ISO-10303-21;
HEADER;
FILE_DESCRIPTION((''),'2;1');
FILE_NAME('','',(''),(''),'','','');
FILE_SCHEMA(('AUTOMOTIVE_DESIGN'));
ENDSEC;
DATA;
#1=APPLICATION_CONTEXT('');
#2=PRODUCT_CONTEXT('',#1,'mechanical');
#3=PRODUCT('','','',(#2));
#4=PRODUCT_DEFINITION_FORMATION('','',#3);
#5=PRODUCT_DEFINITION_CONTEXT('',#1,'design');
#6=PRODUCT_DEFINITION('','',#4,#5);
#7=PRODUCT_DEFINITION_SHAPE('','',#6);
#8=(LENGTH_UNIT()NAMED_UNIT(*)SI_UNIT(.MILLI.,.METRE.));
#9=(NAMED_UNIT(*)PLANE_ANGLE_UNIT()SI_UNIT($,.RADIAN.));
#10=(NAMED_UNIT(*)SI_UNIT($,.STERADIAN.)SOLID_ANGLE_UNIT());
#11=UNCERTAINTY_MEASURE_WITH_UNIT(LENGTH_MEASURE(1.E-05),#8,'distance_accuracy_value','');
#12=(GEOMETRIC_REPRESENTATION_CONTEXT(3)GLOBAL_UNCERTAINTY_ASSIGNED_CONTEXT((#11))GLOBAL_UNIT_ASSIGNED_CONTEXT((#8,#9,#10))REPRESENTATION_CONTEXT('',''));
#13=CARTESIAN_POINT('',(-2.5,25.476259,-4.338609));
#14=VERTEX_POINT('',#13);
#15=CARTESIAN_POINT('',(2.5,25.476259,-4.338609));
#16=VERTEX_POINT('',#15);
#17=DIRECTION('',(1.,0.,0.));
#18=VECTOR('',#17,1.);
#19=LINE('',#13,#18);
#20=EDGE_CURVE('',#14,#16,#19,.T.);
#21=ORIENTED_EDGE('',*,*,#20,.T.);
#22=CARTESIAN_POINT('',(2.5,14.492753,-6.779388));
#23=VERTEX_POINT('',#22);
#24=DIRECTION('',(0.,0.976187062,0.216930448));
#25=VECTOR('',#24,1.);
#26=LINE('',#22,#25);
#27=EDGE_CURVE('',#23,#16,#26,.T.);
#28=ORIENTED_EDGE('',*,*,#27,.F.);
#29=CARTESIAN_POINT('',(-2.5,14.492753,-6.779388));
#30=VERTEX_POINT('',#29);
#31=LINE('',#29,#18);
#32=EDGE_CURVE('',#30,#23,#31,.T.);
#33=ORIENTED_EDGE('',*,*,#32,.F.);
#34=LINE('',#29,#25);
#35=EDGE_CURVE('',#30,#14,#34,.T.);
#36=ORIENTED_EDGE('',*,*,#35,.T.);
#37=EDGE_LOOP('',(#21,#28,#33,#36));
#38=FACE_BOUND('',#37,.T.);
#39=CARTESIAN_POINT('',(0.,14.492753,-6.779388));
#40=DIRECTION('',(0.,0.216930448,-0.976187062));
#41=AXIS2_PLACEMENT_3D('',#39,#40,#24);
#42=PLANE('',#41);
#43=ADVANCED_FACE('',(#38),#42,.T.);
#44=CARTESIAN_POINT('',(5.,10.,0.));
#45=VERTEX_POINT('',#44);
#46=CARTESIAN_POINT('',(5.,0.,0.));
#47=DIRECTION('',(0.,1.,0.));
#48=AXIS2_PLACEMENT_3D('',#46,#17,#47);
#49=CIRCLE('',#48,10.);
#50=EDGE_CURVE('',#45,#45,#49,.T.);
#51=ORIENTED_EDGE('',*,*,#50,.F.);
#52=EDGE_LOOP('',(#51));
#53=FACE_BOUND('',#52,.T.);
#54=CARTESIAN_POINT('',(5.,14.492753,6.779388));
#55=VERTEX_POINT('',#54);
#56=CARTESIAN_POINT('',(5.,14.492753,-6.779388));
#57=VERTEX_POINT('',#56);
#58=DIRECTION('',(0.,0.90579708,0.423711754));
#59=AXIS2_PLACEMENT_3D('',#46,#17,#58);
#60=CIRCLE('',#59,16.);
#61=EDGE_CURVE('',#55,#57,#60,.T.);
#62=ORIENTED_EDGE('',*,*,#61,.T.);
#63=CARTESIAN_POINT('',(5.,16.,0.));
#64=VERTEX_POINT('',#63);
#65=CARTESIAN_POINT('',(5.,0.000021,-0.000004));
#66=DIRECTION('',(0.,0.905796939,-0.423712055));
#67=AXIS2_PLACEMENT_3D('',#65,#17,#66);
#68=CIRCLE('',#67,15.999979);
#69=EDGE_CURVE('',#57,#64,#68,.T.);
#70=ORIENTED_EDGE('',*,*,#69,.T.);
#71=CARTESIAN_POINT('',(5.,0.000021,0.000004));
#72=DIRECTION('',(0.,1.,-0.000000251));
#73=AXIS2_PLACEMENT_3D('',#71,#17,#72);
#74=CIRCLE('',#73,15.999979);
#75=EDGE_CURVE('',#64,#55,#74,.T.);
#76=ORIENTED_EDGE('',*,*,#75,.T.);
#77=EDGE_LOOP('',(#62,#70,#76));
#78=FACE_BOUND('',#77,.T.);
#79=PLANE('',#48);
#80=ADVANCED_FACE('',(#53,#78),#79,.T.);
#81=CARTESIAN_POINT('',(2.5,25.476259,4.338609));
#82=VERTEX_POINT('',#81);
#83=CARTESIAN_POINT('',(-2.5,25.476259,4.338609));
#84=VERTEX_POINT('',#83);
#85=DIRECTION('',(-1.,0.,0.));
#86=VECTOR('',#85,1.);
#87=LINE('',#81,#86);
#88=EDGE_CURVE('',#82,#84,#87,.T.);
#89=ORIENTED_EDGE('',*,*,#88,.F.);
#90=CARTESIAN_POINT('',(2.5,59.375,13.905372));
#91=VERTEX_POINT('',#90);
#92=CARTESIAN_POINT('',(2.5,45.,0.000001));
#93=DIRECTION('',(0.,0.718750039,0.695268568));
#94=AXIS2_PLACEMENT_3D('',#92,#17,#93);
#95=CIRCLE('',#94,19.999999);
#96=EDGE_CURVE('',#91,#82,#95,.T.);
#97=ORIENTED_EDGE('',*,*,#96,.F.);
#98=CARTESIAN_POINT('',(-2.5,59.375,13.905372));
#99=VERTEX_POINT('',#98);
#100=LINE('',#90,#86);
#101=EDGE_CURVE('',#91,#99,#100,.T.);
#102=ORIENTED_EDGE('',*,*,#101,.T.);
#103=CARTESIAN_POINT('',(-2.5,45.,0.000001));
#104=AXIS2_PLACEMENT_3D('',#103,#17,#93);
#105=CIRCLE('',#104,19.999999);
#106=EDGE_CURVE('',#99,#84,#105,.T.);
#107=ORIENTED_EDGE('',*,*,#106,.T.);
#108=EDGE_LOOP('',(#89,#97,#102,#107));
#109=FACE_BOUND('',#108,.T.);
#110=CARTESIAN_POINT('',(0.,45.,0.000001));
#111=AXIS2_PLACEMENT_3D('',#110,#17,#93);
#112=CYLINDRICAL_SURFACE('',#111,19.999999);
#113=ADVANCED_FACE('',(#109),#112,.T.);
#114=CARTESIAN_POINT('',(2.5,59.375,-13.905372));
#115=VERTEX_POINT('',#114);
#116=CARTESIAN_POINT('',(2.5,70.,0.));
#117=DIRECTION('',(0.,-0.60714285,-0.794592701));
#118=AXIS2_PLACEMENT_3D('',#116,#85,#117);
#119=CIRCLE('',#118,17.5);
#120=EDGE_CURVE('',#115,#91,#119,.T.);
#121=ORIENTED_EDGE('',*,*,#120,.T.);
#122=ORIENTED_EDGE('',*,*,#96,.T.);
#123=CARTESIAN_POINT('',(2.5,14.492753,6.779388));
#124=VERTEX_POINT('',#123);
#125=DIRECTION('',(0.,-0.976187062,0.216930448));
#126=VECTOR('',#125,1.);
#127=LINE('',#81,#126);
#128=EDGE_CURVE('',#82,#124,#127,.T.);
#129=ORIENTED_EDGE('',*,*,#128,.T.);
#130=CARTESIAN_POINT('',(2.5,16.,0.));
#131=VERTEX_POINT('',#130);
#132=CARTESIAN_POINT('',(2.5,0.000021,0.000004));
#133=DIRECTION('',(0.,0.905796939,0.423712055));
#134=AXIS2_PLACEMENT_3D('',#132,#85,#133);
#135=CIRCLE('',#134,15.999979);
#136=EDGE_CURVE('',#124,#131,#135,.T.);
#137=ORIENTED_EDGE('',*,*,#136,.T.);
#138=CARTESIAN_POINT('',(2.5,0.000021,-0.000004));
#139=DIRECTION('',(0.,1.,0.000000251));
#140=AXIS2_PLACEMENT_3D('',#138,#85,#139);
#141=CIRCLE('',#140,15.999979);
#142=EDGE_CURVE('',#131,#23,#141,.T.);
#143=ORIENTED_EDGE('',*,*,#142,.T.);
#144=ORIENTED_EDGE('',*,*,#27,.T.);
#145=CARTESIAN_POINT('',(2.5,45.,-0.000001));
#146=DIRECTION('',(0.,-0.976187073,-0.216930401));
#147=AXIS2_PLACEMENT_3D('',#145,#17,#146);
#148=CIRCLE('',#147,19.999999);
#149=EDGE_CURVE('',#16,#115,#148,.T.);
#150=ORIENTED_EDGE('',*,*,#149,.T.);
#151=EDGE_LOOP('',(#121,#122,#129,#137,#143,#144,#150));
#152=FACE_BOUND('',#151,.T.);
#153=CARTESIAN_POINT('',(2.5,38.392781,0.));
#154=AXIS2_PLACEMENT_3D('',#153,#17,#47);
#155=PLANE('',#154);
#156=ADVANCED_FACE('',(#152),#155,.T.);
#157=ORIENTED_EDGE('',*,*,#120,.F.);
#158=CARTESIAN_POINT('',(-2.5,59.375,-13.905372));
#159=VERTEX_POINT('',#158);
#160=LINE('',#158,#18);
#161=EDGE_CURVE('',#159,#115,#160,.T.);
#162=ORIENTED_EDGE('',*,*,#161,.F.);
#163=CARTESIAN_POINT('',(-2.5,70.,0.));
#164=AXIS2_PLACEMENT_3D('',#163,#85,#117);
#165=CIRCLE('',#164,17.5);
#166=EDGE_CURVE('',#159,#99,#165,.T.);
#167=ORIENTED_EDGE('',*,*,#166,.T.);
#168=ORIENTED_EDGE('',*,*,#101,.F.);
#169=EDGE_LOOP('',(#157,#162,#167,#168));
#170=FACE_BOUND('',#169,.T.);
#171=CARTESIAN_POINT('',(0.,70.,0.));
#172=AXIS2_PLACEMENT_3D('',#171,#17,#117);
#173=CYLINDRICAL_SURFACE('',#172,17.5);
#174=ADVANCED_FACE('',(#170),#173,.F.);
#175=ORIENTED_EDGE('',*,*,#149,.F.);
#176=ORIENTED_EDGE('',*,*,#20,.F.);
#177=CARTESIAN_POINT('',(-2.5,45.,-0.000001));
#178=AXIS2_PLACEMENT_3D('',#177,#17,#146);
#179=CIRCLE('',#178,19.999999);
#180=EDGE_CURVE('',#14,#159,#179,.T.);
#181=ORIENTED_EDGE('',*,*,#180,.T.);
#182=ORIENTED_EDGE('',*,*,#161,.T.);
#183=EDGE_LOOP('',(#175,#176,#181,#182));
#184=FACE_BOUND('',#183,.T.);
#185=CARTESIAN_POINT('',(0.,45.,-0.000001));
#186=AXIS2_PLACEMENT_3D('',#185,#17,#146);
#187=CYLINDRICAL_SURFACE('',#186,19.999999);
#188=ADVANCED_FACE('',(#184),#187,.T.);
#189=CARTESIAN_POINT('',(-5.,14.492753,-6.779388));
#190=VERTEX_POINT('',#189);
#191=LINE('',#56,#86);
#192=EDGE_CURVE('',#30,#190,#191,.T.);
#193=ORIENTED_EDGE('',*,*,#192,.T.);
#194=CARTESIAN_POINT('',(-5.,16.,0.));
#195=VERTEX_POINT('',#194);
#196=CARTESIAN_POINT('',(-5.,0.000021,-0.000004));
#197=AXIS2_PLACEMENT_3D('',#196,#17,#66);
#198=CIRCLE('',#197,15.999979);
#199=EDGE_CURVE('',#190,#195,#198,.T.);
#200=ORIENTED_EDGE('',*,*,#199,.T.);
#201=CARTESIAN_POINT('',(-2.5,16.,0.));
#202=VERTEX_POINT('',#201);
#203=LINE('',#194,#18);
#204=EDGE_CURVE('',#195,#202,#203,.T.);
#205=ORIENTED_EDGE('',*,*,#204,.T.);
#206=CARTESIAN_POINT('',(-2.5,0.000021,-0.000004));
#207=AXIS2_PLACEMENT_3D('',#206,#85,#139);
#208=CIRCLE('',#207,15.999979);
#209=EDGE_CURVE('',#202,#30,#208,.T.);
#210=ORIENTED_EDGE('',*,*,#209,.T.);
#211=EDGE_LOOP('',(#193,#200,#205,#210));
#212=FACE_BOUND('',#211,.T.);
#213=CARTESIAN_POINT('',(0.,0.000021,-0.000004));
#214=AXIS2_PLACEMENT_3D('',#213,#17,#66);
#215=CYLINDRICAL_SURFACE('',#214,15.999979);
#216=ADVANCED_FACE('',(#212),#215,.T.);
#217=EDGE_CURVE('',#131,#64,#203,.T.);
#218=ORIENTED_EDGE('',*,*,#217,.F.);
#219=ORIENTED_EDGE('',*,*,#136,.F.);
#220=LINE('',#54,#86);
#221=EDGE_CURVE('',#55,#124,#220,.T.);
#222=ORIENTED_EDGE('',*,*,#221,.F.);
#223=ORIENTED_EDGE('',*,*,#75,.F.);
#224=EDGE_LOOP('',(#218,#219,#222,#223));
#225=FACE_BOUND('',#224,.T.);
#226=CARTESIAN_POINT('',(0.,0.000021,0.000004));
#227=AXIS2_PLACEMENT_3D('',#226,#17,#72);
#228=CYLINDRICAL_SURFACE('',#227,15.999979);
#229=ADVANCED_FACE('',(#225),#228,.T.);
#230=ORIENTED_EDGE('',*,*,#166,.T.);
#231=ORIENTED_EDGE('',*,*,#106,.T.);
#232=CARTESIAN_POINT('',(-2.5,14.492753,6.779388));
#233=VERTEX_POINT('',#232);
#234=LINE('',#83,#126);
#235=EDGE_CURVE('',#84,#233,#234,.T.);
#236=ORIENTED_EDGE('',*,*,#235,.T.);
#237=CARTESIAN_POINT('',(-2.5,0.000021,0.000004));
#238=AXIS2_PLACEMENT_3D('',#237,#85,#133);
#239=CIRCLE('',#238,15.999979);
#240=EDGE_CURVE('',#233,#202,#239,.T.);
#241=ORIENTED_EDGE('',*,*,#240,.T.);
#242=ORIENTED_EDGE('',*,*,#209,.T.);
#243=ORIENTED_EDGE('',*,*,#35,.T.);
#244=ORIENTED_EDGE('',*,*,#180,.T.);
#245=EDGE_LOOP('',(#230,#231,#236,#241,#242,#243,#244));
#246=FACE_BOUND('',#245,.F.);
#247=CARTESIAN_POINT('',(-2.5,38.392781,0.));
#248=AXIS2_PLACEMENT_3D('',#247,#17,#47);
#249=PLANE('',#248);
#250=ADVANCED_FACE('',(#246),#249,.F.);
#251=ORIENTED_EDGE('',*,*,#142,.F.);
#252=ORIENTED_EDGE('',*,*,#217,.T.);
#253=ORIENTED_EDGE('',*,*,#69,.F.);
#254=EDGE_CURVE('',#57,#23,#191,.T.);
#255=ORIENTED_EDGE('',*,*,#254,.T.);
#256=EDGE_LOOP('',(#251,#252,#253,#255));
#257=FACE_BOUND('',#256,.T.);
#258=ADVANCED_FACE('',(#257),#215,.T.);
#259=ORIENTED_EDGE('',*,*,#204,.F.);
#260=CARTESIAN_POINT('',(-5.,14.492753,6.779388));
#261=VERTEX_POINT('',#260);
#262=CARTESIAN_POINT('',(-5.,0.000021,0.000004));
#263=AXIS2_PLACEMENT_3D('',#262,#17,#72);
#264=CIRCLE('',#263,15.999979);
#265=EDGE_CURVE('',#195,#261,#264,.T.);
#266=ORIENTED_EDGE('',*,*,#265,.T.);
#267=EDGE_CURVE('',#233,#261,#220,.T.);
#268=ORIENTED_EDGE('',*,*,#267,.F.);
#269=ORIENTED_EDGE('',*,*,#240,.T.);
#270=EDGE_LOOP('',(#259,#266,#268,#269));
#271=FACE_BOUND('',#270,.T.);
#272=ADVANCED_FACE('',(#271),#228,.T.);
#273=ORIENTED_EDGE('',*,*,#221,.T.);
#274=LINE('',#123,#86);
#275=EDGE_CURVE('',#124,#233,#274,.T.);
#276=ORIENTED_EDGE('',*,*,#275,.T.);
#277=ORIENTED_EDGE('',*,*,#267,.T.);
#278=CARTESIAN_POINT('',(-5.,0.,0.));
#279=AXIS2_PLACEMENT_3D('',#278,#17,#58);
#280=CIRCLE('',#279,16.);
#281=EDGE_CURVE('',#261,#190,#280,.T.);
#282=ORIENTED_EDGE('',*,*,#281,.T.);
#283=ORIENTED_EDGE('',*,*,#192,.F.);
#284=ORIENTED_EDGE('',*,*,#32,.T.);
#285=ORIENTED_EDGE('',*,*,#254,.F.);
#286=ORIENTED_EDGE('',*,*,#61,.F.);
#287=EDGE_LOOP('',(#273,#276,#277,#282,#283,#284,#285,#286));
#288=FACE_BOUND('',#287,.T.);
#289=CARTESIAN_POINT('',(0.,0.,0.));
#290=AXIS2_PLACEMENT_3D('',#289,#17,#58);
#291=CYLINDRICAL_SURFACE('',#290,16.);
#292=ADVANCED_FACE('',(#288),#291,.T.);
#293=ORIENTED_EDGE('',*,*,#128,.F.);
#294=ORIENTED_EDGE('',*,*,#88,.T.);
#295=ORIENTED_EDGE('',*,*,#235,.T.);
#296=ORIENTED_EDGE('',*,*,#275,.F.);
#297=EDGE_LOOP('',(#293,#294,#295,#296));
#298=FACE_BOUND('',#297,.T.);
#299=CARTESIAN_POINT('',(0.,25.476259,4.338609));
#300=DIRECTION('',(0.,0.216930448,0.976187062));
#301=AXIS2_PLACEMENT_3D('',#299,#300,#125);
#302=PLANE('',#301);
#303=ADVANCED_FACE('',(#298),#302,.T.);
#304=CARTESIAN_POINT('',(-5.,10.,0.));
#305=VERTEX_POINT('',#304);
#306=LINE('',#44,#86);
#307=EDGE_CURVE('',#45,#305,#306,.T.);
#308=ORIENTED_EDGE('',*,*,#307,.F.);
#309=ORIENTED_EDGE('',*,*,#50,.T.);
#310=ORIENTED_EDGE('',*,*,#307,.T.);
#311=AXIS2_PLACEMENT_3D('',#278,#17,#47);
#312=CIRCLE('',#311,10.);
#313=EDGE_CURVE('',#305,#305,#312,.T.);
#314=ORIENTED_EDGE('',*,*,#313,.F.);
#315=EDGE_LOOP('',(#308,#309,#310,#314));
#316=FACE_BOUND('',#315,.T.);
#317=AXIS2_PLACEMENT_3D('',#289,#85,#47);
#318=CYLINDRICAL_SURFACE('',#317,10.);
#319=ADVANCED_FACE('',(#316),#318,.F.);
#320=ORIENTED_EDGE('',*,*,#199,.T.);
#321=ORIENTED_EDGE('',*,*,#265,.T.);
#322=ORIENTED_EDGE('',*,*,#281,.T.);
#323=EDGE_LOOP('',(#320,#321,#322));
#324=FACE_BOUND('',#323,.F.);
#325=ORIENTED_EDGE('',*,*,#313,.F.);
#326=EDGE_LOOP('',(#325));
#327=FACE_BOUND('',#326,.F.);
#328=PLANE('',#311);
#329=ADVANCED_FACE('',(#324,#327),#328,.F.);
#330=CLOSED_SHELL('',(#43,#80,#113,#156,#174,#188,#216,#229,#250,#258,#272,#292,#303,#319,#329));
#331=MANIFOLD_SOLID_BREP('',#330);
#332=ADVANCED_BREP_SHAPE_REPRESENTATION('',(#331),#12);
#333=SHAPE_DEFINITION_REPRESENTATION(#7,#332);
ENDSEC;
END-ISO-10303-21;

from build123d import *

# Parameters (mm, degrees)
F0_R     = 10
F1_DEPTH = 5
F2_DEPTH = 5
F3_DEPTH = 2.5


with BuildPart() as f1:
    # F0 (on Right) → F1 (new body, symmetric)
    with BuildSketch(Plane.YZ):
        Circle(F0_R)
        with BuildLine():
            ThreePointArc((14.492753, -6.779388), (15.618644, -3.472459), (16, 0))
            ThreePointArc((16, 0), (15.618644, 3.472459), (14.492753, 6.779388))
            ThreePointArc((14.492753, 6.779388), (-16, 0), (14.492753, -6.779388))
        make_face()
        Circle(F0_R, mode=Mode.SUBTRACT)
    extrude(amount=F1_DEPTH, both=True)

    # F0 (on Right) → F2 (cut, symmetric)
    with BuildSketch(Plane.YZ):
        Circle(F0_R)
    extrude(amount=F2_DEPTH, both=True, mode=Mode.SUBTRACT)

    # F0 (on Right) → F3 (join, symmetric)
    with BuildSketch(Plane.YZ):
        with BuildLine():
            ThreePointArc((14.492753, 6.779388), (15.618644, 3.472459), (16, 0))
            ThreePointArc((16, 0), (15.618644, -3.472459), (14.492753, -6.779388))
            Line((14.492753, -6.779388), (25.476259, -4.338609))
            ThreePointArc((25.476259, -4.338609), (39.567862, -19.248166), (59.375, -13.905372))
            ThreePointArc((59.375, -13.905372), (52.5, 0), (59.375, 13.905372))
            ThreePointArc((59.375, 13.905372), (39.567862, 19.248166), (25.476259, 4.338609))
            Line((25.476259, 4.338609), (14.492753, 6.779388))
        make_face()
    extrude(amount=F3_DEPTH, both=True)


solid = f1.part
